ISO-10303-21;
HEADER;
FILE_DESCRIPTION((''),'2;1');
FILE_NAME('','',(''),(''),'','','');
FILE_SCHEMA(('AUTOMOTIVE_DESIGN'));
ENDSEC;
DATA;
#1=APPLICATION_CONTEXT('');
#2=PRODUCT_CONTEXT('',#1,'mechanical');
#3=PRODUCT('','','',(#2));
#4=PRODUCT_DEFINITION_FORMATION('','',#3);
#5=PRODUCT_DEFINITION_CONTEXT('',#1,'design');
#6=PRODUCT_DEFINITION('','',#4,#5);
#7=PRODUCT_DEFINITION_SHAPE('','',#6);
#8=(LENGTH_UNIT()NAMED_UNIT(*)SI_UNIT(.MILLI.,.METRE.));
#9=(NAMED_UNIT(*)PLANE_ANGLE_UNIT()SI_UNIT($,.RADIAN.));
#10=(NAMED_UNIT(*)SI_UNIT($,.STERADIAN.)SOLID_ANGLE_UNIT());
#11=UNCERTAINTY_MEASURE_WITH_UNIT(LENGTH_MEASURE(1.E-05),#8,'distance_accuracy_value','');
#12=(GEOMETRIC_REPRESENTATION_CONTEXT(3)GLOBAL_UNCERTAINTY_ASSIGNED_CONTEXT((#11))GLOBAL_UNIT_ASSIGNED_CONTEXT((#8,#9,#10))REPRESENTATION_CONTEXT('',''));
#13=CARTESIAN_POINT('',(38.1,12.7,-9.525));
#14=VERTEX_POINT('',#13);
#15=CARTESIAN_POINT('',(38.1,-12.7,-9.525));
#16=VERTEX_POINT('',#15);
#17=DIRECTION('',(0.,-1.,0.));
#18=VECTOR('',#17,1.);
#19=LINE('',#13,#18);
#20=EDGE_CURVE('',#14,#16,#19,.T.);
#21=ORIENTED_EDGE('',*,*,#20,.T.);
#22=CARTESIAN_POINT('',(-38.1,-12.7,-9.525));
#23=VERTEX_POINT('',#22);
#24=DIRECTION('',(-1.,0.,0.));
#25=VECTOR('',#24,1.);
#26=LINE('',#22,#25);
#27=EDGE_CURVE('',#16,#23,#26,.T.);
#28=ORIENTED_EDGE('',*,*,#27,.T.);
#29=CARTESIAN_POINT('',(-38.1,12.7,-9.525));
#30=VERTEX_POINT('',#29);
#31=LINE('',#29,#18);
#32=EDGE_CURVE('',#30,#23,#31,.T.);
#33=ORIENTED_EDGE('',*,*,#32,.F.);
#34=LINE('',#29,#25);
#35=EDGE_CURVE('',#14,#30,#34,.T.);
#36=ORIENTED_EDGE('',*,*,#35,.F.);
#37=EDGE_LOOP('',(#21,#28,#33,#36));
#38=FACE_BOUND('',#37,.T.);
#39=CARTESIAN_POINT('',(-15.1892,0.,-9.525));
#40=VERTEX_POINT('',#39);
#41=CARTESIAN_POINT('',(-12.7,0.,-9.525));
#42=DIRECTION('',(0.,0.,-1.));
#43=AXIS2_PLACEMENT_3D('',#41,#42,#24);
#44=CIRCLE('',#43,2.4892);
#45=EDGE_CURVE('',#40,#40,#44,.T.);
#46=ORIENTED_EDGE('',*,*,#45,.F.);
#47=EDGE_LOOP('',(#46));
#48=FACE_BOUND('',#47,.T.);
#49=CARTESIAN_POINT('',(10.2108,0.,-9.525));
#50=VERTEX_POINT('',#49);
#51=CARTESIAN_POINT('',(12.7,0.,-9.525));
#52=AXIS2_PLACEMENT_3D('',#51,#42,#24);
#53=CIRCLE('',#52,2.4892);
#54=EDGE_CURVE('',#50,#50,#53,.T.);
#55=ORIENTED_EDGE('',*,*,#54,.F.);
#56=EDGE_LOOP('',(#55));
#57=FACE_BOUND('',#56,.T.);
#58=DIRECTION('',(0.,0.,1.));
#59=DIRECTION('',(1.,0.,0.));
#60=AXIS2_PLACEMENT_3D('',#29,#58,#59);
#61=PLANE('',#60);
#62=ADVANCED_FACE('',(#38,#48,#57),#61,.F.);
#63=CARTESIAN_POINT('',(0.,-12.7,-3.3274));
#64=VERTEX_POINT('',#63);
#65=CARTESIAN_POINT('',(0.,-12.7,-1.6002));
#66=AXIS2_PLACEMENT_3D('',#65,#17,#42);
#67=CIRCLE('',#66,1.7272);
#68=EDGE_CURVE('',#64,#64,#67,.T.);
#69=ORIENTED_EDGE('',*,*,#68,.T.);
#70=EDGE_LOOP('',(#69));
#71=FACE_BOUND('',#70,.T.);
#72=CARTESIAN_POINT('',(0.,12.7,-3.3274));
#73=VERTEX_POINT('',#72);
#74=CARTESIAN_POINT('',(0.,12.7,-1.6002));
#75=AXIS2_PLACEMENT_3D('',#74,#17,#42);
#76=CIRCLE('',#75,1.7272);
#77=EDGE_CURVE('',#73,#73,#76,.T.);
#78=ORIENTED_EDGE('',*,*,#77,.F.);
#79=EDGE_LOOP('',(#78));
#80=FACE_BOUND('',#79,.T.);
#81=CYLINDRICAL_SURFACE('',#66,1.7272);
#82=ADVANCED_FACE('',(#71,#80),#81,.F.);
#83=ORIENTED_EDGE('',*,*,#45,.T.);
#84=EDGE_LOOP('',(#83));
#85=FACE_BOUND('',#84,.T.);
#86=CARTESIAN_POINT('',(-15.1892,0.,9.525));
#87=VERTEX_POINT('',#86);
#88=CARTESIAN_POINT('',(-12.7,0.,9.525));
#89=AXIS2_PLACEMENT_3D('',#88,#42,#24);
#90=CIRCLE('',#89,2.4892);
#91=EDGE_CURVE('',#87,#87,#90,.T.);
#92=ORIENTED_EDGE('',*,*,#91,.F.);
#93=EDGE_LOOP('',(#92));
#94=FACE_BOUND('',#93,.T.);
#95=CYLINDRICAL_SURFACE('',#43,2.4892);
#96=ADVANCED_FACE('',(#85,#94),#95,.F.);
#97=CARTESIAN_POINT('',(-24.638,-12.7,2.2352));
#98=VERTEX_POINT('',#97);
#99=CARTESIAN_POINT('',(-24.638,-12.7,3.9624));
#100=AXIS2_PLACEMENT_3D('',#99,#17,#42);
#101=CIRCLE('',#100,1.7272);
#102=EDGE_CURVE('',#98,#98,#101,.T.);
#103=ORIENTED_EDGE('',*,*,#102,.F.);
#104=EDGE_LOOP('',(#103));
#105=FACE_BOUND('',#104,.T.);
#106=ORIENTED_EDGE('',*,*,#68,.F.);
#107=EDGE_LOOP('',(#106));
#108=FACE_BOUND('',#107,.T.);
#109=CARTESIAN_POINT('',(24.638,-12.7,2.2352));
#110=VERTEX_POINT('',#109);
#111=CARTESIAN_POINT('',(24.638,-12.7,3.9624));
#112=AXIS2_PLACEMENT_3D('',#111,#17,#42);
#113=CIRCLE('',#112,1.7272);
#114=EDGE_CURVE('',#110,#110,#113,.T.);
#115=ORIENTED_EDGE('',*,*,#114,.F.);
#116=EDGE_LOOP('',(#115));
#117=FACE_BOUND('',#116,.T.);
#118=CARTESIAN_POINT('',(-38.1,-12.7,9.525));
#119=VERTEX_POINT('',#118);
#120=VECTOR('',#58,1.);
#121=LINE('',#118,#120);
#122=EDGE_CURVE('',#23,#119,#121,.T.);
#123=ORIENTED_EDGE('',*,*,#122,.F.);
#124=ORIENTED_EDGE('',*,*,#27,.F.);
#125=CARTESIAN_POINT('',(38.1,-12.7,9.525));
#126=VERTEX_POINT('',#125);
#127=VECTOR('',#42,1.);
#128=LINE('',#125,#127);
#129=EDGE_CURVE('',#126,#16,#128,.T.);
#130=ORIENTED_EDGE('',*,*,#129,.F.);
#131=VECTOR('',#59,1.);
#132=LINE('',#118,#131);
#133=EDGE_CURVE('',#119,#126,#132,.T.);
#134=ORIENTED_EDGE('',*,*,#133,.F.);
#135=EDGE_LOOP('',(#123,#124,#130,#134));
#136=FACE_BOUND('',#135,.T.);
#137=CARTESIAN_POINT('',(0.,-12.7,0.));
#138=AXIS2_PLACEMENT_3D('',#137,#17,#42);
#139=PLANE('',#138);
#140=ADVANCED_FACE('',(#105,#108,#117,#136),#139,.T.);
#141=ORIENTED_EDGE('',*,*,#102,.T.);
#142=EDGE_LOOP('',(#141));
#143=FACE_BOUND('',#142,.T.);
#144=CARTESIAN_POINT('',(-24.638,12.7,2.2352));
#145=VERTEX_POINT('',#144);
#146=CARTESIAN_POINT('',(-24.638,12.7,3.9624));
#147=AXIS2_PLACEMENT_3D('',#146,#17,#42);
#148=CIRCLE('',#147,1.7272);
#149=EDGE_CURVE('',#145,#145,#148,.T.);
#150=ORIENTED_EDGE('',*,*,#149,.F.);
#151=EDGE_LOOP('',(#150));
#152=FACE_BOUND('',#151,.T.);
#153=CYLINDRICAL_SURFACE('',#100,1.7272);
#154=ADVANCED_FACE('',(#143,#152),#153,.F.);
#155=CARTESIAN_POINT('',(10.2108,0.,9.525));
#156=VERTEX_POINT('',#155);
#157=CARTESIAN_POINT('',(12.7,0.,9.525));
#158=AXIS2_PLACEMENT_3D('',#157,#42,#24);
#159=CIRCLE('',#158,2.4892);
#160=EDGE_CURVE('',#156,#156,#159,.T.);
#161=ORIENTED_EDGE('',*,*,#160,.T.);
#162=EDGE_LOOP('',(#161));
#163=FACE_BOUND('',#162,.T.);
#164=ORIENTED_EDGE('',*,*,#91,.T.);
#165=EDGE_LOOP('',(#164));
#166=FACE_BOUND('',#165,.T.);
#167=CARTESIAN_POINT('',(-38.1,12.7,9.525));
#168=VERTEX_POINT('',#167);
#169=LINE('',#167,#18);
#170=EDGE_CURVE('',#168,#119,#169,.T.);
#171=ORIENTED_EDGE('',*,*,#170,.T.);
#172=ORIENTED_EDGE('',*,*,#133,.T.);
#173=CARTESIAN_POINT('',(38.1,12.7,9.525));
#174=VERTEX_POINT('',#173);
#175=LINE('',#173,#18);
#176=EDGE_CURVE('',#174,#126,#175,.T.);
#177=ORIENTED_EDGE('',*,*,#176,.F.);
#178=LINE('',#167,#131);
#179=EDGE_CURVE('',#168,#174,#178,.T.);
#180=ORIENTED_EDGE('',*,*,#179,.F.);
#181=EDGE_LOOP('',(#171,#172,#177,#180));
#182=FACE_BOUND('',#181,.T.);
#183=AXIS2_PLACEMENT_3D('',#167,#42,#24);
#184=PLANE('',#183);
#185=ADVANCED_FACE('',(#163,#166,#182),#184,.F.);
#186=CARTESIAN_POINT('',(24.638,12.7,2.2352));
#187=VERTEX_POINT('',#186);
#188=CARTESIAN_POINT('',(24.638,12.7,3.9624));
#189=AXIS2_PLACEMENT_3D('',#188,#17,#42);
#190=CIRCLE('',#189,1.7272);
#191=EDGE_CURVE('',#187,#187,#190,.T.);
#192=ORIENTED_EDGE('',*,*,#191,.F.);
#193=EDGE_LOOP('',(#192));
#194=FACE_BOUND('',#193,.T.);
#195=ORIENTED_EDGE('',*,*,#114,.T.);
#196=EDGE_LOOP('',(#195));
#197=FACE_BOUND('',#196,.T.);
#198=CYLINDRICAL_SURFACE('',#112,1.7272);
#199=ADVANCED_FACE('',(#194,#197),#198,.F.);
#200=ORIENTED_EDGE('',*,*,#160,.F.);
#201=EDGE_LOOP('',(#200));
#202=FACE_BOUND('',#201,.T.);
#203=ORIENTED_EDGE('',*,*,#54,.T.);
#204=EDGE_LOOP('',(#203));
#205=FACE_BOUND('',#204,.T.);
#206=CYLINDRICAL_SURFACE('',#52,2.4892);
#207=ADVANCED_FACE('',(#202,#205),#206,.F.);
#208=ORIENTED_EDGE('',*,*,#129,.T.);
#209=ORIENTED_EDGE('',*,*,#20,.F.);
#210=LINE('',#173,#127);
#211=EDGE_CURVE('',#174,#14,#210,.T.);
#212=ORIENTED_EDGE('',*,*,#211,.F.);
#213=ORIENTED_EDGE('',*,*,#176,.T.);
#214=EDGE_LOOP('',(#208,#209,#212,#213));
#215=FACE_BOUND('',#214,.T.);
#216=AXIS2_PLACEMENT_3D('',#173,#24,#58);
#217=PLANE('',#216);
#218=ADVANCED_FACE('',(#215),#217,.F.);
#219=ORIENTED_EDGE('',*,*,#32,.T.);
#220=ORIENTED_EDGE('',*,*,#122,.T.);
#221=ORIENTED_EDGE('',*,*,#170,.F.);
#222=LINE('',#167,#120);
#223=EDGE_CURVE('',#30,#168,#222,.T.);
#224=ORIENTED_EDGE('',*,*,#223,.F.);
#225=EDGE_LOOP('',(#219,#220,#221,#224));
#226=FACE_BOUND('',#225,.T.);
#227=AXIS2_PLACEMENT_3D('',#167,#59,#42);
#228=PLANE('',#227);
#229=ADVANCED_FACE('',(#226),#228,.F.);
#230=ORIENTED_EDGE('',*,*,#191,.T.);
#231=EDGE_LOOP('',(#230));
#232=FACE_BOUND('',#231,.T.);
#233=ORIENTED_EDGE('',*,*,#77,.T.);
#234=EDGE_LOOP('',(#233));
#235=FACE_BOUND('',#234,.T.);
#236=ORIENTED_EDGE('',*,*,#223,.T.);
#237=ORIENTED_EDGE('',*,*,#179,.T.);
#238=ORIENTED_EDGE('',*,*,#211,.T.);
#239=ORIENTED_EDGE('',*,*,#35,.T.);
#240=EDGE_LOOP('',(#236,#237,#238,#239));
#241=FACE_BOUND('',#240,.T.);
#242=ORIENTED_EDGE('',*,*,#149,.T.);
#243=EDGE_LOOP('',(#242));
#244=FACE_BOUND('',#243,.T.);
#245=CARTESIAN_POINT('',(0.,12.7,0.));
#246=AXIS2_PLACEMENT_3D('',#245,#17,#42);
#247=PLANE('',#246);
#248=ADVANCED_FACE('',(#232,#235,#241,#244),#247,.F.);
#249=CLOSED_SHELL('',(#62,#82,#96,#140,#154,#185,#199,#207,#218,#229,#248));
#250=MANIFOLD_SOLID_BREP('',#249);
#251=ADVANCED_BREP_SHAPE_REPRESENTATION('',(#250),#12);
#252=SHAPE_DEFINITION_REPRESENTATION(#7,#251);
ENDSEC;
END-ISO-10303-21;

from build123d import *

# Parameters (mm, degrees)
SKETCH1_W              = 76.2
SKETCH1_H              = 19.05
BOSS_EXTRUDE1_DEPTH    = 12.7
F_8_32_TAPPED_HOLE1_D  = 3.4544
F_10_CLEARANCE_HOLE1_D = 4.9784


with BuildPart() as part:
    # Sketch1 → Boss-Extrude1 (new, symmetric)
    with BuildSketch(Plane(origin=(0, 0, 0), x_dir=(1, 0, 0), z_dir=(0, 1, 0))):
        Rectangle(SKETCH1_W, SKETCH1_H)
    extrude(amount=BOSS_EXTRUDE1_DEPTH, both=True)

    # #8-32 Tapped Hole1 (through all)
    with Locations(Plane(origin=(-24.638, -12.7, 3.9624), x_dir=(0, 0, -1), z_dir=(0, -1, 0))):
        with Locations((0, 0), (5.5626, 24.638), (0, 49.276)):
            Hole(F_8_32_TAPPED_HOLE1_D / 2)

    # #10 Clearance Hole1 (through all)
    with Locations(Plane(origin=(0, 0, -9.525), x_dir=(-1, 0, 0), z_dir=(0, 0, -1))):
        with Locations((-12.7, 0), (12.7, 0)):
            Hole(F_10_CLEARANCE_HOLE1_D / 2)


solid = part.part
